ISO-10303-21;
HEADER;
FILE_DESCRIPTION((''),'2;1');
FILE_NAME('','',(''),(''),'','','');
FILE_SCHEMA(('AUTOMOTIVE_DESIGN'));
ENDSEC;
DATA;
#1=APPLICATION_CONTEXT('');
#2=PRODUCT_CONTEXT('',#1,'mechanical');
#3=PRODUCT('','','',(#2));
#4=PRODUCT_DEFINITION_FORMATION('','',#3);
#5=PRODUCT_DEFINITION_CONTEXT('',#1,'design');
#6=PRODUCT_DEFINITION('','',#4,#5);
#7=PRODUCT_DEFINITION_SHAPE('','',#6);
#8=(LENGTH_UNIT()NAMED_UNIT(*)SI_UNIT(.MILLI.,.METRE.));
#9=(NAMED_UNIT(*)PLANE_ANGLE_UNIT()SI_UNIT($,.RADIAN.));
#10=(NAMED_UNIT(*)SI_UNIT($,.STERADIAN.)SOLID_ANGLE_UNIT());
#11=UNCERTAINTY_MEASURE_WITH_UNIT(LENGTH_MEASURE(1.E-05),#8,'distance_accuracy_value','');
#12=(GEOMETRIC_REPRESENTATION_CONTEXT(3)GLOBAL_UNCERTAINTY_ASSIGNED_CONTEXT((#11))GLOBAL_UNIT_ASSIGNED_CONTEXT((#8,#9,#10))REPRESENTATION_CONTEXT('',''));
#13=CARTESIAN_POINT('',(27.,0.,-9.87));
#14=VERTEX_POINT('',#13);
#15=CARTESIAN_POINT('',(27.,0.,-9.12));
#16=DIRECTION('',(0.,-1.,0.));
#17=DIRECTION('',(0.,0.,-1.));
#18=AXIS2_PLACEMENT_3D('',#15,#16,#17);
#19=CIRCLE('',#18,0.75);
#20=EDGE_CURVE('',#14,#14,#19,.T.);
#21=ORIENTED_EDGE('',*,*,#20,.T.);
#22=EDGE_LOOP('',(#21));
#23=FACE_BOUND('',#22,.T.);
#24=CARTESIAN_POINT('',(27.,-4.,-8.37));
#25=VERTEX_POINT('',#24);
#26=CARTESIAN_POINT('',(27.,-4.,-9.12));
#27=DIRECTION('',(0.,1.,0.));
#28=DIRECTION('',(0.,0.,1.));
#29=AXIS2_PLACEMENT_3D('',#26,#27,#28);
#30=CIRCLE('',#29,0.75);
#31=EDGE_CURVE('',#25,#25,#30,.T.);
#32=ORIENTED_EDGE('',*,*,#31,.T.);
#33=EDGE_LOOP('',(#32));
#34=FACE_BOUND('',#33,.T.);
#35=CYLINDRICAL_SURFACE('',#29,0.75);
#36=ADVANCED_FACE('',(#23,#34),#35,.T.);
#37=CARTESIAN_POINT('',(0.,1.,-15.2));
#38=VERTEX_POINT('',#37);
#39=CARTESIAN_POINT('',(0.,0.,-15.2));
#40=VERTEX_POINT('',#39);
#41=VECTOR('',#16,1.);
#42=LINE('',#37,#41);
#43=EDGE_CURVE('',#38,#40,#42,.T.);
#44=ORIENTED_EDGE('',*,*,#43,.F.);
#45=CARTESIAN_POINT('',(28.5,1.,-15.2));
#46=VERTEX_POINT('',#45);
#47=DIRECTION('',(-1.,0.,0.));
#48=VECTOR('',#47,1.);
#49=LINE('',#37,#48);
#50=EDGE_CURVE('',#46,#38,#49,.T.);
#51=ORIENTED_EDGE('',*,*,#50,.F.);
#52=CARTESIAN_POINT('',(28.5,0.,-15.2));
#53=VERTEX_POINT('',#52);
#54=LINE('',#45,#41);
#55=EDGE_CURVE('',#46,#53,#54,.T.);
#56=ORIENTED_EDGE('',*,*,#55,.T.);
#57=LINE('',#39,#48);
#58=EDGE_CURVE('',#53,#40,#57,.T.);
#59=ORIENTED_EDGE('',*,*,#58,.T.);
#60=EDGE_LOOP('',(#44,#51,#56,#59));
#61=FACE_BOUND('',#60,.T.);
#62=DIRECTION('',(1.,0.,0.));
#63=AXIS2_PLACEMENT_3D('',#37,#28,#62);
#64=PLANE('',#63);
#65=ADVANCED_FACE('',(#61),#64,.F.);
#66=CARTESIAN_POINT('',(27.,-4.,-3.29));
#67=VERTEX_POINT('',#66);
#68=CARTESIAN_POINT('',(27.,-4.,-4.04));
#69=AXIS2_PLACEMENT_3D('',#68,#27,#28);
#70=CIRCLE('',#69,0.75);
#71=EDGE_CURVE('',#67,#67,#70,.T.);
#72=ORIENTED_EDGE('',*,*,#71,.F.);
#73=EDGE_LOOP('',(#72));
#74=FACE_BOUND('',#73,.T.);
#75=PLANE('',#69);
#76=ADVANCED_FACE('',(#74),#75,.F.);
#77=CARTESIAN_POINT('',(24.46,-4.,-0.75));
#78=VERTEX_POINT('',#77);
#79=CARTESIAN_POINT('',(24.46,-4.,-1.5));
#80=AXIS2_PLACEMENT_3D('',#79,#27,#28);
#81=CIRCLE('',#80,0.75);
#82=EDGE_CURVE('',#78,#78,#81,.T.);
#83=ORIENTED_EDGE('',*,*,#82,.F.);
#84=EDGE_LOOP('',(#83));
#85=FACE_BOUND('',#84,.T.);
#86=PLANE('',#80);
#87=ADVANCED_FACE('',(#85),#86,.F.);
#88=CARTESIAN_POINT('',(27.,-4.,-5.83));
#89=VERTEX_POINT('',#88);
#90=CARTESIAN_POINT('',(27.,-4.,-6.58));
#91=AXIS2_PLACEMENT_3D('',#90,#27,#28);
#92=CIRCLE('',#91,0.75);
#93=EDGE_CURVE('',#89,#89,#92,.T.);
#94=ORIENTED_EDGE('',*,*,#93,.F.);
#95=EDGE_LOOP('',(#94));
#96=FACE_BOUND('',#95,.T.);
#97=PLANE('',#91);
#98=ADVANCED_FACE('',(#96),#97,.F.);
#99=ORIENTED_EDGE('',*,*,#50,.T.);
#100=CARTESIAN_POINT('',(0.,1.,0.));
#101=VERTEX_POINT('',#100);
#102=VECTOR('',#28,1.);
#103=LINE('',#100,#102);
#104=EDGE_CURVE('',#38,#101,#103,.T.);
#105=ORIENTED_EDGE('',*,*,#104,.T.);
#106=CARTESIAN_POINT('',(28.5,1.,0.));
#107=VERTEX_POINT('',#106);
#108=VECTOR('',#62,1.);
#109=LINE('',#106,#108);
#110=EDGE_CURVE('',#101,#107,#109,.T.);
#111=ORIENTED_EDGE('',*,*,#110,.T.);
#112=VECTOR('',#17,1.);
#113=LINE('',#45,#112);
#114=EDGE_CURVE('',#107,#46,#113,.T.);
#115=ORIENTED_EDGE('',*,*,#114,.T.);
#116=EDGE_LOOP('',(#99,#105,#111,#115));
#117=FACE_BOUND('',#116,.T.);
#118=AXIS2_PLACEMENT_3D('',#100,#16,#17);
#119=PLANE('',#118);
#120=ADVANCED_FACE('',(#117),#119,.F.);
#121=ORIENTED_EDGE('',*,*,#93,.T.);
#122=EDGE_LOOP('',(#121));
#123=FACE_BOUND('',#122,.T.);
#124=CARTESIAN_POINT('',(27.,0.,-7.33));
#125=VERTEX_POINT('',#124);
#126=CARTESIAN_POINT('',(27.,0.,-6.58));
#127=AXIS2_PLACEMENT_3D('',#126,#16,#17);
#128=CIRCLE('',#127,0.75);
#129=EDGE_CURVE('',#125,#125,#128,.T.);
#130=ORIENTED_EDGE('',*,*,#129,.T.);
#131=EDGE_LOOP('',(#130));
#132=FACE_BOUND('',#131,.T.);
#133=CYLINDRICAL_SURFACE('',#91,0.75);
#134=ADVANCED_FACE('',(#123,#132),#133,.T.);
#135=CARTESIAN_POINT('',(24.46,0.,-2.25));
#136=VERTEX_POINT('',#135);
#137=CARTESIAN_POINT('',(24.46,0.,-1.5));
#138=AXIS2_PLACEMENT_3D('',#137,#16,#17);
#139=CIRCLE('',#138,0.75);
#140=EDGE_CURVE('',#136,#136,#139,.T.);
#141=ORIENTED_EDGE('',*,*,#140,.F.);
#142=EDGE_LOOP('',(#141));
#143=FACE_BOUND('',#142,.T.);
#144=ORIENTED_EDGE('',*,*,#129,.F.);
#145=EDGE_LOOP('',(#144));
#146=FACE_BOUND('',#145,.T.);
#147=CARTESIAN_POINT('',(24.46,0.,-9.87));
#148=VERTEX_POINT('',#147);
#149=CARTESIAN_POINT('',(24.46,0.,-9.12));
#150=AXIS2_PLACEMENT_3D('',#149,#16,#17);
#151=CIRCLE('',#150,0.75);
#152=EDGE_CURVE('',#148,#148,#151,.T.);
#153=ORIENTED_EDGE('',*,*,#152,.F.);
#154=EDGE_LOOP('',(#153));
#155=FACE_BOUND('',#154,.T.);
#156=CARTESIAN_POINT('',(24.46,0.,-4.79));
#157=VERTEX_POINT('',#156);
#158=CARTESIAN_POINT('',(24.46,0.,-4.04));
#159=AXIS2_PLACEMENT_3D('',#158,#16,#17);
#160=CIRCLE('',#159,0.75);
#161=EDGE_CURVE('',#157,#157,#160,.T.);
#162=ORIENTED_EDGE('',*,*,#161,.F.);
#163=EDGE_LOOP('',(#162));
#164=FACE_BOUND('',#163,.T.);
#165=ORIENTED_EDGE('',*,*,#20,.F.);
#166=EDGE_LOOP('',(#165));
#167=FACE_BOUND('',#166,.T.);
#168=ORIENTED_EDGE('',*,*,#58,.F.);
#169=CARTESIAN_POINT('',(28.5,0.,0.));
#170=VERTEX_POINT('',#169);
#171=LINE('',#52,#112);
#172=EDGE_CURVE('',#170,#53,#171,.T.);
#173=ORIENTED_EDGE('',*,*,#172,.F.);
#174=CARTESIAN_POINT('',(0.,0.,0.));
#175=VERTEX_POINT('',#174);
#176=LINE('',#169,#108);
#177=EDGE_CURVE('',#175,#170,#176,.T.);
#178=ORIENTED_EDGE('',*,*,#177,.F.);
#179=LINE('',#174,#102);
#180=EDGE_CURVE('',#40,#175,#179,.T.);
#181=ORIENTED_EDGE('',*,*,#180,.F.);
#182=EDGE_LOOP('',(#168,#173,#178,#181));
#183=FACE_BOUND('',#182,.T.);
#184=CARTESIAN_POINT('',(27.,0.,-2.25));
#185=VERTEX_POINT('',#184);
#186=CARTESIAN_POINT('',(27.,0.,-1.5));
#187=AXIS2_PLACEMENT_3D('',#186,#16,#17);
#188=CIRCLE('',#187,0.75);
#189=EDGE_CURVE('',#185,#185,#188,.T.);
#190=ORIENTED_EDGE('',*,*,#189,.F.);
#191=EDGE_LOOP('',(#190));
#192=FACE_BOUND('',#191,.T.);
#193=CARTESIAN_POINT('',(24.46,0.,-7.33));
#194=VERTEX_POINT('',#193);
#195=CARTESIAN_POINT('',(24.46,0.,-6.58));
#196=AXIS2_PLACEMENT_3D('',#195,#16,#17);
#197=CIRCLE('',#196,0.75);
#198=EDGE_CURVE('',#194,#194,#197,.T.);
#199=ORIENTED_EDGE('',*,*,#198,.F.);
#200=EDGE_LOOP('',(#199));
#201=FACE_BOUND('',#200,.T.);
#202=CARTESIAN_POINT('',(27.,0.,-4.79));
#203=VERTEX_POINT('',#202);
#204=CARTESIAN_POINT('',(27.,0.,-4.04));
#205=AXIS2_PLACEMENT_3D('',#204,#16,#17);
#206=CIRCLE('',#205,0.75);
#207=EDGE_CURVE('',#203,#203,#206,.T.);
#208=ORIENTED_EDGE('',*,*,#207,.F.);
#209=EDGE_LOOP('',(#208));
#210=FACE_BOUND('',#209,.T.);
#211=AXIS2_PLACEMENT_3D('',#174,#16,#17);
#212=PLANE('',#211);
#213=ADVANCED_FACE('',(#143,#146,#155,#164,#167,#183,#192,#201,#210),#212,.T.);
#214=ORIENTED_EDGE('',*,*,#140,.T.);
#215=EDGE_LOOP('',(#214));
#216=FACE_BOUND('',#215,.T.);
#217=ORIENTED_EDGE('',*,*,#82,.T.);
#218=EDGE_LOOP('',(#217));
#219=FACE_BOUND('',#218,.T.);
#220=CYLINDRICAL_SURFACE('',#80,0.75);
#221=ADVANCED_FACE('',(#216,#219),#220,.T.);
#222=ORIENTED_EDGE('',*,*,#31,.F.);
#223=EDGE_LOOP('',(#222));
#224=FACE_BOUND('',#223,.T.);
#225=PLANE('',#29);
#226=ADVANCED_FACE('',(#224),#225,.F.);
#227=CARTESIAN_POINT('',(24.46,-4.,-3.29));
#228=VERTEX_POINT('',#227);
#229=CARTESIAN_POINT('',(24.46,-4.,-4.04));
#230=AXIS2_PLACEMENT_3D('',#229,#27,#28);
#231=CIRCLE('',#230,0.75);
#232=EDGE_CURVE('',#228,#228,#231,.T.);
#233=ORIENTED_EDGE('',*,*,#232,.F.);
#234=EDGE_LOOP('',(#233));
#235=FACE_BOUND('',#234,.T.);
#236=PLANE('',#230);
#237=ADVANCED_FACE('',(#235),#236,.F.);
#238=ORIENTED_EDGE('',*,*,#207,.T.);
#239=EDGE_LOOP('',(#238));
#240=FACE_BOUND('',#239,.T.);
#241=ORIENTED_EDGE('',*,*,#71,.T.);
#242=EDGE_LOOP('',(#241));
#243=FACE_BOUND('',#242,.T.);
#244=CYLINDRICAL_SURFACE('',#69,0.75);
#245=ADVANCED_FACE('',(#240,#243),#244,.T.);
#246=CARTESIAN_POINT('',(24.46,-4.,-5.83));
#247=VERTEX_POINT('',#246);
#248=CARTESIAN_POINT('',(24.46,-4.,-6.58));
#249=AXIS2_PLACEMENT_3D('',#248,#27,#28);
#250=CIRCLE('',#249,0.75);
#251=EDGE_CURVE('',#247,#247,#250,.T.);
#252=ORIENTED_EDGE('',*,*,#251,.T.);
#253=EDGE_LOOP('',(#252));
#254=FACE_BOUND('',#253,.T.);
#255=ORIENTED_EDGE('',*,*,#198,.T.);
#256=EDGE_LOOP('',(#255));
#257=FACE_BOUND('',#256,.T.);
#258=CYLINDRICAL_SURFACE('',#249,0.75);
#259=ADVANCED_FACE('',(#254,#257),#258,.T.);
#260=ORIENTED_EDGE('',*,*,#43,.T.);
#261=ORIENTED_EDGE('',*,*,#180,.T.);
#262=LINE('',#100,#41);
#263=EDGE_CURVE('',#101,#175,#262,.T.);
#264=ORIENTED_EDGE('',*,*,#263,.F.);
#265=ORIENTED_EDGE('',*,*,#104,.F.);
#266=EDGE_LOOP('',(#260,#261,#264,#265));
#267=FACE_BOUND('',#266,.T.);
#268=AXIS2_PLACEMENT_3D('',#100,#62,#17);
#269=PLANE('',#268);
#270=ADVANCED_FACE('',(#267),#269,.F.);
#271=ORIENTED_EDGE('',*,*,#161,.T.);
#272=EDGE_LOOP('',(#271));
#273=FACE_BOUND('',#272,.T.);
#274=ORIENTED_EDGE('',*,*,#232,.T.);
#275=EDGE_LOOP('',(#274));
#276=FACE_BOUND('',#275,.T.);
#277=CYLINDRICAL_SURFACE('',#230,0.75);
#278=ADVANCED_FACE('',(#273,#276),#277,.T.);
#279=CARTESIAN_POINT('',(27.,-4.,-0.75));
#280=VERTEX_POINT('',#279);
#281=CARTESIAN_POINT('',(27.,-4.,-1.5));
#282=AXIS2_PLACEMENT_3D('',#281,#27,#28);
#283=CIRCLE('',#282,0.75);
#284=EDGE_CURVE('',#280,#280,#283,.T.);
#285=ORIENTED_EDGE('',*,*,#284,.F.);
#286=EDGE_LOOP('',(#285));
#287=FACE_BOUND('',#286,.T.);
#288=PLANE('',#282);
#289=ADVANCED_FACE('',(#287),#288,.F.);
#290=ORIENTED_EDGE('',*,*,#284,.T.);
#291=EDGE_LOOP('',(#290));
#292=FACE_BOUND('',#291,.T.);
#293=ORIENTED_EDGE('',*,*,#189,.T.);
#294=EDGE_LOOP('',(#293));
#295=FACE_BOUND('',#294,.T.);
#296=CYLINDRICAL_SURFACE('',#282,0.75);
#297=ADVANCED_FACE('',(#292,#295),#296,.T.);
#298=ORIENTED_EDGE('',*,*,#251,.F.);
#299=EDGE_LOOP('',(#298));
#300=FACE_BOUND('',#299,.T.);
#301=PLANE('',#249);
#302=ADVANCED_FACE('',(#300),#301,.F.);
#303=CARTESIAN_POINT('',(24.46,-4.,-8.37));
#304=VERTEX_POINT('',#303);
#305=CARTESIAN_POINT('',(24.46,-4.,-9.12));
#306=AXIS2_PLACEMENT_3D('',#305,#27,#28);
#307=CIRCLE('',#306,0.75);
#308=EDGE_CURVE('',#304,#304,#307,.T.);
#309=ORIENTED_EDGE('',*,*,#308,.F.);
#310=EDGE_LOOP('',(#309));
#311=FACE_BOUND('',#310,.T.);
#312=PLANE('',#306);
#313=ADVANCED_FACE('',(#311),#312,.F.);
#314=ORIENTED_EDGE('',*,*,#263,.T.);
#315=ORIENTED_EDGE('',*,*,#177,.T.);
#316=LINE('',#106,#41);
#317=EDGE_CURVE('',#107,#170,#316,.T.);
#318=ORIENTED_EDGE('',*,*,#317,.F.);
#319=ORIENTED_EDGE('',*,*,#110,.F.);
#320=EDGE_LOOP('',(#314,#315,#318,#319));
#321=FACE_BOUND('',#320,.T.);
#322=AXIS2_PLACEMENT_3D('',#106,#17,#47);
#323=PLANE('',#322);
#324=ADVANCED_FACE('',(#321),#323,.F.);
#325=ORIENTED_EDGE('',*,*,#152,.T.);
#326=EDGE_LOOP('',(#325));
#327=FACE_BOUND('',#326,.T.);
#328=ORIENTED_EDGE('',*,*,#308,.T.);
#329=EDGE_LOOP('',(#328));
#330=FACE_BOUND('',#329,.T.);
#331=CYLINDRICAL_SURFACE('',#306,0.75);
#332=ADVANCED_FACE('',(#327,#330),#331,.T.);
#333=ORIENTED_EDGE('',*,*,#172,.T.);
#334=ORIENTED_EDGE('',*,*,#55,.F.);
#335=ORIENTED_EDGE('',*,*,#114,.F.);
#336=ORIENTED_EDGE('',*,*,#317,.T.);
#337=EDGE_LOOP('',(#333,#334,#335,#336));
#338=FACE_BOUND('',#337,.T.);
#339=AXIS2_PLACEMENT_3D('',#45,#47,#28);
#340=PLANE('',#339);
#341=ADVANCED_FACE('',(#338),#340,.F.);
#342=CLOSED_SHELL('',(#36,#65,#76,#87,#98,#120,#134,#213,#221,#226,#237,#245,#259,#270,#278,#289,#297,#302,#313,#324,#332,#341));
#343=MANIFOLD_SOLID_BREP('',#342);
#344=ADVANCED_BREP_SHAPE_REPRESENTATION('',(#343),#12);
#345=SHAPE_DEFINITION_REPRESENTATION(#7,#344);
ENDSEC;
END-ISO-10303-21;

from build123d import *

# Parameters (mm, degrees)
SKETCH1_W           = 28.5
SKETCH1_H           = 15.2
BOSS_EXTRUDE1_DEPTH = 1
SKETCH5_R           = 0.75
BOSS_EXTRUDE4_DEPTH = 5


with BuildPart() as part:
    # Sketch1 → Boss-Extrude1 (new body)
    with BuildSketch(Plane(origin=(0, 0, 0), x_dir=(1, 0, 0), z_dir=(0, 1, 0))):
        with Locations((14.25, 7.6)):
            Rectangle(SKETCH1_W, SKETCH1_H)
    extrude(amount=BOSS_EXTRUDE1_DEPTH)

    # Sketch5 → Boss-Extrude4 (add)
    with BuildSketch(Plane(origin=(0, 1, 0), x_dir=(1, 0, 0), z_dir=(0, 1, 0))):
        with Locations(Location((27, 1.5, 0), (0, 0, 270))):
            Circle(SKETCH5_R)
        with Locations(Location((24.46, 1.5, 0), (0, 0, 270))):
            Circle(SKETCH5_R)
        with Locations(Location((24.46, 4.04, 0), (0, 0, 270))):
            Circle(SKETCH5_R)
        with Locations(Location((27, 4.04, 0), (0, 0, 270))):
            Circle(SKETCH5_R)
        with Locations(Location((24.46, 6.58, 0), (0, 0, 270))):
            Circle(SKETCH5_R)
        with Locations(Location((27, 6.58, 0), (0, 0, 270))):
            Circle(SKETCH5_R)
        with Locations(Location((24.46, 9.12, 0), (0, 0, 270))):
            Circle(SKETCH5_R)
        with Locations(Location((27, 9.12, 0), (0, 0, 270))):
            Circle(SKETCH5_R)
    extrude(amount=-BOSS_EXTRUDE4_DEPTH)


solid = part.part
